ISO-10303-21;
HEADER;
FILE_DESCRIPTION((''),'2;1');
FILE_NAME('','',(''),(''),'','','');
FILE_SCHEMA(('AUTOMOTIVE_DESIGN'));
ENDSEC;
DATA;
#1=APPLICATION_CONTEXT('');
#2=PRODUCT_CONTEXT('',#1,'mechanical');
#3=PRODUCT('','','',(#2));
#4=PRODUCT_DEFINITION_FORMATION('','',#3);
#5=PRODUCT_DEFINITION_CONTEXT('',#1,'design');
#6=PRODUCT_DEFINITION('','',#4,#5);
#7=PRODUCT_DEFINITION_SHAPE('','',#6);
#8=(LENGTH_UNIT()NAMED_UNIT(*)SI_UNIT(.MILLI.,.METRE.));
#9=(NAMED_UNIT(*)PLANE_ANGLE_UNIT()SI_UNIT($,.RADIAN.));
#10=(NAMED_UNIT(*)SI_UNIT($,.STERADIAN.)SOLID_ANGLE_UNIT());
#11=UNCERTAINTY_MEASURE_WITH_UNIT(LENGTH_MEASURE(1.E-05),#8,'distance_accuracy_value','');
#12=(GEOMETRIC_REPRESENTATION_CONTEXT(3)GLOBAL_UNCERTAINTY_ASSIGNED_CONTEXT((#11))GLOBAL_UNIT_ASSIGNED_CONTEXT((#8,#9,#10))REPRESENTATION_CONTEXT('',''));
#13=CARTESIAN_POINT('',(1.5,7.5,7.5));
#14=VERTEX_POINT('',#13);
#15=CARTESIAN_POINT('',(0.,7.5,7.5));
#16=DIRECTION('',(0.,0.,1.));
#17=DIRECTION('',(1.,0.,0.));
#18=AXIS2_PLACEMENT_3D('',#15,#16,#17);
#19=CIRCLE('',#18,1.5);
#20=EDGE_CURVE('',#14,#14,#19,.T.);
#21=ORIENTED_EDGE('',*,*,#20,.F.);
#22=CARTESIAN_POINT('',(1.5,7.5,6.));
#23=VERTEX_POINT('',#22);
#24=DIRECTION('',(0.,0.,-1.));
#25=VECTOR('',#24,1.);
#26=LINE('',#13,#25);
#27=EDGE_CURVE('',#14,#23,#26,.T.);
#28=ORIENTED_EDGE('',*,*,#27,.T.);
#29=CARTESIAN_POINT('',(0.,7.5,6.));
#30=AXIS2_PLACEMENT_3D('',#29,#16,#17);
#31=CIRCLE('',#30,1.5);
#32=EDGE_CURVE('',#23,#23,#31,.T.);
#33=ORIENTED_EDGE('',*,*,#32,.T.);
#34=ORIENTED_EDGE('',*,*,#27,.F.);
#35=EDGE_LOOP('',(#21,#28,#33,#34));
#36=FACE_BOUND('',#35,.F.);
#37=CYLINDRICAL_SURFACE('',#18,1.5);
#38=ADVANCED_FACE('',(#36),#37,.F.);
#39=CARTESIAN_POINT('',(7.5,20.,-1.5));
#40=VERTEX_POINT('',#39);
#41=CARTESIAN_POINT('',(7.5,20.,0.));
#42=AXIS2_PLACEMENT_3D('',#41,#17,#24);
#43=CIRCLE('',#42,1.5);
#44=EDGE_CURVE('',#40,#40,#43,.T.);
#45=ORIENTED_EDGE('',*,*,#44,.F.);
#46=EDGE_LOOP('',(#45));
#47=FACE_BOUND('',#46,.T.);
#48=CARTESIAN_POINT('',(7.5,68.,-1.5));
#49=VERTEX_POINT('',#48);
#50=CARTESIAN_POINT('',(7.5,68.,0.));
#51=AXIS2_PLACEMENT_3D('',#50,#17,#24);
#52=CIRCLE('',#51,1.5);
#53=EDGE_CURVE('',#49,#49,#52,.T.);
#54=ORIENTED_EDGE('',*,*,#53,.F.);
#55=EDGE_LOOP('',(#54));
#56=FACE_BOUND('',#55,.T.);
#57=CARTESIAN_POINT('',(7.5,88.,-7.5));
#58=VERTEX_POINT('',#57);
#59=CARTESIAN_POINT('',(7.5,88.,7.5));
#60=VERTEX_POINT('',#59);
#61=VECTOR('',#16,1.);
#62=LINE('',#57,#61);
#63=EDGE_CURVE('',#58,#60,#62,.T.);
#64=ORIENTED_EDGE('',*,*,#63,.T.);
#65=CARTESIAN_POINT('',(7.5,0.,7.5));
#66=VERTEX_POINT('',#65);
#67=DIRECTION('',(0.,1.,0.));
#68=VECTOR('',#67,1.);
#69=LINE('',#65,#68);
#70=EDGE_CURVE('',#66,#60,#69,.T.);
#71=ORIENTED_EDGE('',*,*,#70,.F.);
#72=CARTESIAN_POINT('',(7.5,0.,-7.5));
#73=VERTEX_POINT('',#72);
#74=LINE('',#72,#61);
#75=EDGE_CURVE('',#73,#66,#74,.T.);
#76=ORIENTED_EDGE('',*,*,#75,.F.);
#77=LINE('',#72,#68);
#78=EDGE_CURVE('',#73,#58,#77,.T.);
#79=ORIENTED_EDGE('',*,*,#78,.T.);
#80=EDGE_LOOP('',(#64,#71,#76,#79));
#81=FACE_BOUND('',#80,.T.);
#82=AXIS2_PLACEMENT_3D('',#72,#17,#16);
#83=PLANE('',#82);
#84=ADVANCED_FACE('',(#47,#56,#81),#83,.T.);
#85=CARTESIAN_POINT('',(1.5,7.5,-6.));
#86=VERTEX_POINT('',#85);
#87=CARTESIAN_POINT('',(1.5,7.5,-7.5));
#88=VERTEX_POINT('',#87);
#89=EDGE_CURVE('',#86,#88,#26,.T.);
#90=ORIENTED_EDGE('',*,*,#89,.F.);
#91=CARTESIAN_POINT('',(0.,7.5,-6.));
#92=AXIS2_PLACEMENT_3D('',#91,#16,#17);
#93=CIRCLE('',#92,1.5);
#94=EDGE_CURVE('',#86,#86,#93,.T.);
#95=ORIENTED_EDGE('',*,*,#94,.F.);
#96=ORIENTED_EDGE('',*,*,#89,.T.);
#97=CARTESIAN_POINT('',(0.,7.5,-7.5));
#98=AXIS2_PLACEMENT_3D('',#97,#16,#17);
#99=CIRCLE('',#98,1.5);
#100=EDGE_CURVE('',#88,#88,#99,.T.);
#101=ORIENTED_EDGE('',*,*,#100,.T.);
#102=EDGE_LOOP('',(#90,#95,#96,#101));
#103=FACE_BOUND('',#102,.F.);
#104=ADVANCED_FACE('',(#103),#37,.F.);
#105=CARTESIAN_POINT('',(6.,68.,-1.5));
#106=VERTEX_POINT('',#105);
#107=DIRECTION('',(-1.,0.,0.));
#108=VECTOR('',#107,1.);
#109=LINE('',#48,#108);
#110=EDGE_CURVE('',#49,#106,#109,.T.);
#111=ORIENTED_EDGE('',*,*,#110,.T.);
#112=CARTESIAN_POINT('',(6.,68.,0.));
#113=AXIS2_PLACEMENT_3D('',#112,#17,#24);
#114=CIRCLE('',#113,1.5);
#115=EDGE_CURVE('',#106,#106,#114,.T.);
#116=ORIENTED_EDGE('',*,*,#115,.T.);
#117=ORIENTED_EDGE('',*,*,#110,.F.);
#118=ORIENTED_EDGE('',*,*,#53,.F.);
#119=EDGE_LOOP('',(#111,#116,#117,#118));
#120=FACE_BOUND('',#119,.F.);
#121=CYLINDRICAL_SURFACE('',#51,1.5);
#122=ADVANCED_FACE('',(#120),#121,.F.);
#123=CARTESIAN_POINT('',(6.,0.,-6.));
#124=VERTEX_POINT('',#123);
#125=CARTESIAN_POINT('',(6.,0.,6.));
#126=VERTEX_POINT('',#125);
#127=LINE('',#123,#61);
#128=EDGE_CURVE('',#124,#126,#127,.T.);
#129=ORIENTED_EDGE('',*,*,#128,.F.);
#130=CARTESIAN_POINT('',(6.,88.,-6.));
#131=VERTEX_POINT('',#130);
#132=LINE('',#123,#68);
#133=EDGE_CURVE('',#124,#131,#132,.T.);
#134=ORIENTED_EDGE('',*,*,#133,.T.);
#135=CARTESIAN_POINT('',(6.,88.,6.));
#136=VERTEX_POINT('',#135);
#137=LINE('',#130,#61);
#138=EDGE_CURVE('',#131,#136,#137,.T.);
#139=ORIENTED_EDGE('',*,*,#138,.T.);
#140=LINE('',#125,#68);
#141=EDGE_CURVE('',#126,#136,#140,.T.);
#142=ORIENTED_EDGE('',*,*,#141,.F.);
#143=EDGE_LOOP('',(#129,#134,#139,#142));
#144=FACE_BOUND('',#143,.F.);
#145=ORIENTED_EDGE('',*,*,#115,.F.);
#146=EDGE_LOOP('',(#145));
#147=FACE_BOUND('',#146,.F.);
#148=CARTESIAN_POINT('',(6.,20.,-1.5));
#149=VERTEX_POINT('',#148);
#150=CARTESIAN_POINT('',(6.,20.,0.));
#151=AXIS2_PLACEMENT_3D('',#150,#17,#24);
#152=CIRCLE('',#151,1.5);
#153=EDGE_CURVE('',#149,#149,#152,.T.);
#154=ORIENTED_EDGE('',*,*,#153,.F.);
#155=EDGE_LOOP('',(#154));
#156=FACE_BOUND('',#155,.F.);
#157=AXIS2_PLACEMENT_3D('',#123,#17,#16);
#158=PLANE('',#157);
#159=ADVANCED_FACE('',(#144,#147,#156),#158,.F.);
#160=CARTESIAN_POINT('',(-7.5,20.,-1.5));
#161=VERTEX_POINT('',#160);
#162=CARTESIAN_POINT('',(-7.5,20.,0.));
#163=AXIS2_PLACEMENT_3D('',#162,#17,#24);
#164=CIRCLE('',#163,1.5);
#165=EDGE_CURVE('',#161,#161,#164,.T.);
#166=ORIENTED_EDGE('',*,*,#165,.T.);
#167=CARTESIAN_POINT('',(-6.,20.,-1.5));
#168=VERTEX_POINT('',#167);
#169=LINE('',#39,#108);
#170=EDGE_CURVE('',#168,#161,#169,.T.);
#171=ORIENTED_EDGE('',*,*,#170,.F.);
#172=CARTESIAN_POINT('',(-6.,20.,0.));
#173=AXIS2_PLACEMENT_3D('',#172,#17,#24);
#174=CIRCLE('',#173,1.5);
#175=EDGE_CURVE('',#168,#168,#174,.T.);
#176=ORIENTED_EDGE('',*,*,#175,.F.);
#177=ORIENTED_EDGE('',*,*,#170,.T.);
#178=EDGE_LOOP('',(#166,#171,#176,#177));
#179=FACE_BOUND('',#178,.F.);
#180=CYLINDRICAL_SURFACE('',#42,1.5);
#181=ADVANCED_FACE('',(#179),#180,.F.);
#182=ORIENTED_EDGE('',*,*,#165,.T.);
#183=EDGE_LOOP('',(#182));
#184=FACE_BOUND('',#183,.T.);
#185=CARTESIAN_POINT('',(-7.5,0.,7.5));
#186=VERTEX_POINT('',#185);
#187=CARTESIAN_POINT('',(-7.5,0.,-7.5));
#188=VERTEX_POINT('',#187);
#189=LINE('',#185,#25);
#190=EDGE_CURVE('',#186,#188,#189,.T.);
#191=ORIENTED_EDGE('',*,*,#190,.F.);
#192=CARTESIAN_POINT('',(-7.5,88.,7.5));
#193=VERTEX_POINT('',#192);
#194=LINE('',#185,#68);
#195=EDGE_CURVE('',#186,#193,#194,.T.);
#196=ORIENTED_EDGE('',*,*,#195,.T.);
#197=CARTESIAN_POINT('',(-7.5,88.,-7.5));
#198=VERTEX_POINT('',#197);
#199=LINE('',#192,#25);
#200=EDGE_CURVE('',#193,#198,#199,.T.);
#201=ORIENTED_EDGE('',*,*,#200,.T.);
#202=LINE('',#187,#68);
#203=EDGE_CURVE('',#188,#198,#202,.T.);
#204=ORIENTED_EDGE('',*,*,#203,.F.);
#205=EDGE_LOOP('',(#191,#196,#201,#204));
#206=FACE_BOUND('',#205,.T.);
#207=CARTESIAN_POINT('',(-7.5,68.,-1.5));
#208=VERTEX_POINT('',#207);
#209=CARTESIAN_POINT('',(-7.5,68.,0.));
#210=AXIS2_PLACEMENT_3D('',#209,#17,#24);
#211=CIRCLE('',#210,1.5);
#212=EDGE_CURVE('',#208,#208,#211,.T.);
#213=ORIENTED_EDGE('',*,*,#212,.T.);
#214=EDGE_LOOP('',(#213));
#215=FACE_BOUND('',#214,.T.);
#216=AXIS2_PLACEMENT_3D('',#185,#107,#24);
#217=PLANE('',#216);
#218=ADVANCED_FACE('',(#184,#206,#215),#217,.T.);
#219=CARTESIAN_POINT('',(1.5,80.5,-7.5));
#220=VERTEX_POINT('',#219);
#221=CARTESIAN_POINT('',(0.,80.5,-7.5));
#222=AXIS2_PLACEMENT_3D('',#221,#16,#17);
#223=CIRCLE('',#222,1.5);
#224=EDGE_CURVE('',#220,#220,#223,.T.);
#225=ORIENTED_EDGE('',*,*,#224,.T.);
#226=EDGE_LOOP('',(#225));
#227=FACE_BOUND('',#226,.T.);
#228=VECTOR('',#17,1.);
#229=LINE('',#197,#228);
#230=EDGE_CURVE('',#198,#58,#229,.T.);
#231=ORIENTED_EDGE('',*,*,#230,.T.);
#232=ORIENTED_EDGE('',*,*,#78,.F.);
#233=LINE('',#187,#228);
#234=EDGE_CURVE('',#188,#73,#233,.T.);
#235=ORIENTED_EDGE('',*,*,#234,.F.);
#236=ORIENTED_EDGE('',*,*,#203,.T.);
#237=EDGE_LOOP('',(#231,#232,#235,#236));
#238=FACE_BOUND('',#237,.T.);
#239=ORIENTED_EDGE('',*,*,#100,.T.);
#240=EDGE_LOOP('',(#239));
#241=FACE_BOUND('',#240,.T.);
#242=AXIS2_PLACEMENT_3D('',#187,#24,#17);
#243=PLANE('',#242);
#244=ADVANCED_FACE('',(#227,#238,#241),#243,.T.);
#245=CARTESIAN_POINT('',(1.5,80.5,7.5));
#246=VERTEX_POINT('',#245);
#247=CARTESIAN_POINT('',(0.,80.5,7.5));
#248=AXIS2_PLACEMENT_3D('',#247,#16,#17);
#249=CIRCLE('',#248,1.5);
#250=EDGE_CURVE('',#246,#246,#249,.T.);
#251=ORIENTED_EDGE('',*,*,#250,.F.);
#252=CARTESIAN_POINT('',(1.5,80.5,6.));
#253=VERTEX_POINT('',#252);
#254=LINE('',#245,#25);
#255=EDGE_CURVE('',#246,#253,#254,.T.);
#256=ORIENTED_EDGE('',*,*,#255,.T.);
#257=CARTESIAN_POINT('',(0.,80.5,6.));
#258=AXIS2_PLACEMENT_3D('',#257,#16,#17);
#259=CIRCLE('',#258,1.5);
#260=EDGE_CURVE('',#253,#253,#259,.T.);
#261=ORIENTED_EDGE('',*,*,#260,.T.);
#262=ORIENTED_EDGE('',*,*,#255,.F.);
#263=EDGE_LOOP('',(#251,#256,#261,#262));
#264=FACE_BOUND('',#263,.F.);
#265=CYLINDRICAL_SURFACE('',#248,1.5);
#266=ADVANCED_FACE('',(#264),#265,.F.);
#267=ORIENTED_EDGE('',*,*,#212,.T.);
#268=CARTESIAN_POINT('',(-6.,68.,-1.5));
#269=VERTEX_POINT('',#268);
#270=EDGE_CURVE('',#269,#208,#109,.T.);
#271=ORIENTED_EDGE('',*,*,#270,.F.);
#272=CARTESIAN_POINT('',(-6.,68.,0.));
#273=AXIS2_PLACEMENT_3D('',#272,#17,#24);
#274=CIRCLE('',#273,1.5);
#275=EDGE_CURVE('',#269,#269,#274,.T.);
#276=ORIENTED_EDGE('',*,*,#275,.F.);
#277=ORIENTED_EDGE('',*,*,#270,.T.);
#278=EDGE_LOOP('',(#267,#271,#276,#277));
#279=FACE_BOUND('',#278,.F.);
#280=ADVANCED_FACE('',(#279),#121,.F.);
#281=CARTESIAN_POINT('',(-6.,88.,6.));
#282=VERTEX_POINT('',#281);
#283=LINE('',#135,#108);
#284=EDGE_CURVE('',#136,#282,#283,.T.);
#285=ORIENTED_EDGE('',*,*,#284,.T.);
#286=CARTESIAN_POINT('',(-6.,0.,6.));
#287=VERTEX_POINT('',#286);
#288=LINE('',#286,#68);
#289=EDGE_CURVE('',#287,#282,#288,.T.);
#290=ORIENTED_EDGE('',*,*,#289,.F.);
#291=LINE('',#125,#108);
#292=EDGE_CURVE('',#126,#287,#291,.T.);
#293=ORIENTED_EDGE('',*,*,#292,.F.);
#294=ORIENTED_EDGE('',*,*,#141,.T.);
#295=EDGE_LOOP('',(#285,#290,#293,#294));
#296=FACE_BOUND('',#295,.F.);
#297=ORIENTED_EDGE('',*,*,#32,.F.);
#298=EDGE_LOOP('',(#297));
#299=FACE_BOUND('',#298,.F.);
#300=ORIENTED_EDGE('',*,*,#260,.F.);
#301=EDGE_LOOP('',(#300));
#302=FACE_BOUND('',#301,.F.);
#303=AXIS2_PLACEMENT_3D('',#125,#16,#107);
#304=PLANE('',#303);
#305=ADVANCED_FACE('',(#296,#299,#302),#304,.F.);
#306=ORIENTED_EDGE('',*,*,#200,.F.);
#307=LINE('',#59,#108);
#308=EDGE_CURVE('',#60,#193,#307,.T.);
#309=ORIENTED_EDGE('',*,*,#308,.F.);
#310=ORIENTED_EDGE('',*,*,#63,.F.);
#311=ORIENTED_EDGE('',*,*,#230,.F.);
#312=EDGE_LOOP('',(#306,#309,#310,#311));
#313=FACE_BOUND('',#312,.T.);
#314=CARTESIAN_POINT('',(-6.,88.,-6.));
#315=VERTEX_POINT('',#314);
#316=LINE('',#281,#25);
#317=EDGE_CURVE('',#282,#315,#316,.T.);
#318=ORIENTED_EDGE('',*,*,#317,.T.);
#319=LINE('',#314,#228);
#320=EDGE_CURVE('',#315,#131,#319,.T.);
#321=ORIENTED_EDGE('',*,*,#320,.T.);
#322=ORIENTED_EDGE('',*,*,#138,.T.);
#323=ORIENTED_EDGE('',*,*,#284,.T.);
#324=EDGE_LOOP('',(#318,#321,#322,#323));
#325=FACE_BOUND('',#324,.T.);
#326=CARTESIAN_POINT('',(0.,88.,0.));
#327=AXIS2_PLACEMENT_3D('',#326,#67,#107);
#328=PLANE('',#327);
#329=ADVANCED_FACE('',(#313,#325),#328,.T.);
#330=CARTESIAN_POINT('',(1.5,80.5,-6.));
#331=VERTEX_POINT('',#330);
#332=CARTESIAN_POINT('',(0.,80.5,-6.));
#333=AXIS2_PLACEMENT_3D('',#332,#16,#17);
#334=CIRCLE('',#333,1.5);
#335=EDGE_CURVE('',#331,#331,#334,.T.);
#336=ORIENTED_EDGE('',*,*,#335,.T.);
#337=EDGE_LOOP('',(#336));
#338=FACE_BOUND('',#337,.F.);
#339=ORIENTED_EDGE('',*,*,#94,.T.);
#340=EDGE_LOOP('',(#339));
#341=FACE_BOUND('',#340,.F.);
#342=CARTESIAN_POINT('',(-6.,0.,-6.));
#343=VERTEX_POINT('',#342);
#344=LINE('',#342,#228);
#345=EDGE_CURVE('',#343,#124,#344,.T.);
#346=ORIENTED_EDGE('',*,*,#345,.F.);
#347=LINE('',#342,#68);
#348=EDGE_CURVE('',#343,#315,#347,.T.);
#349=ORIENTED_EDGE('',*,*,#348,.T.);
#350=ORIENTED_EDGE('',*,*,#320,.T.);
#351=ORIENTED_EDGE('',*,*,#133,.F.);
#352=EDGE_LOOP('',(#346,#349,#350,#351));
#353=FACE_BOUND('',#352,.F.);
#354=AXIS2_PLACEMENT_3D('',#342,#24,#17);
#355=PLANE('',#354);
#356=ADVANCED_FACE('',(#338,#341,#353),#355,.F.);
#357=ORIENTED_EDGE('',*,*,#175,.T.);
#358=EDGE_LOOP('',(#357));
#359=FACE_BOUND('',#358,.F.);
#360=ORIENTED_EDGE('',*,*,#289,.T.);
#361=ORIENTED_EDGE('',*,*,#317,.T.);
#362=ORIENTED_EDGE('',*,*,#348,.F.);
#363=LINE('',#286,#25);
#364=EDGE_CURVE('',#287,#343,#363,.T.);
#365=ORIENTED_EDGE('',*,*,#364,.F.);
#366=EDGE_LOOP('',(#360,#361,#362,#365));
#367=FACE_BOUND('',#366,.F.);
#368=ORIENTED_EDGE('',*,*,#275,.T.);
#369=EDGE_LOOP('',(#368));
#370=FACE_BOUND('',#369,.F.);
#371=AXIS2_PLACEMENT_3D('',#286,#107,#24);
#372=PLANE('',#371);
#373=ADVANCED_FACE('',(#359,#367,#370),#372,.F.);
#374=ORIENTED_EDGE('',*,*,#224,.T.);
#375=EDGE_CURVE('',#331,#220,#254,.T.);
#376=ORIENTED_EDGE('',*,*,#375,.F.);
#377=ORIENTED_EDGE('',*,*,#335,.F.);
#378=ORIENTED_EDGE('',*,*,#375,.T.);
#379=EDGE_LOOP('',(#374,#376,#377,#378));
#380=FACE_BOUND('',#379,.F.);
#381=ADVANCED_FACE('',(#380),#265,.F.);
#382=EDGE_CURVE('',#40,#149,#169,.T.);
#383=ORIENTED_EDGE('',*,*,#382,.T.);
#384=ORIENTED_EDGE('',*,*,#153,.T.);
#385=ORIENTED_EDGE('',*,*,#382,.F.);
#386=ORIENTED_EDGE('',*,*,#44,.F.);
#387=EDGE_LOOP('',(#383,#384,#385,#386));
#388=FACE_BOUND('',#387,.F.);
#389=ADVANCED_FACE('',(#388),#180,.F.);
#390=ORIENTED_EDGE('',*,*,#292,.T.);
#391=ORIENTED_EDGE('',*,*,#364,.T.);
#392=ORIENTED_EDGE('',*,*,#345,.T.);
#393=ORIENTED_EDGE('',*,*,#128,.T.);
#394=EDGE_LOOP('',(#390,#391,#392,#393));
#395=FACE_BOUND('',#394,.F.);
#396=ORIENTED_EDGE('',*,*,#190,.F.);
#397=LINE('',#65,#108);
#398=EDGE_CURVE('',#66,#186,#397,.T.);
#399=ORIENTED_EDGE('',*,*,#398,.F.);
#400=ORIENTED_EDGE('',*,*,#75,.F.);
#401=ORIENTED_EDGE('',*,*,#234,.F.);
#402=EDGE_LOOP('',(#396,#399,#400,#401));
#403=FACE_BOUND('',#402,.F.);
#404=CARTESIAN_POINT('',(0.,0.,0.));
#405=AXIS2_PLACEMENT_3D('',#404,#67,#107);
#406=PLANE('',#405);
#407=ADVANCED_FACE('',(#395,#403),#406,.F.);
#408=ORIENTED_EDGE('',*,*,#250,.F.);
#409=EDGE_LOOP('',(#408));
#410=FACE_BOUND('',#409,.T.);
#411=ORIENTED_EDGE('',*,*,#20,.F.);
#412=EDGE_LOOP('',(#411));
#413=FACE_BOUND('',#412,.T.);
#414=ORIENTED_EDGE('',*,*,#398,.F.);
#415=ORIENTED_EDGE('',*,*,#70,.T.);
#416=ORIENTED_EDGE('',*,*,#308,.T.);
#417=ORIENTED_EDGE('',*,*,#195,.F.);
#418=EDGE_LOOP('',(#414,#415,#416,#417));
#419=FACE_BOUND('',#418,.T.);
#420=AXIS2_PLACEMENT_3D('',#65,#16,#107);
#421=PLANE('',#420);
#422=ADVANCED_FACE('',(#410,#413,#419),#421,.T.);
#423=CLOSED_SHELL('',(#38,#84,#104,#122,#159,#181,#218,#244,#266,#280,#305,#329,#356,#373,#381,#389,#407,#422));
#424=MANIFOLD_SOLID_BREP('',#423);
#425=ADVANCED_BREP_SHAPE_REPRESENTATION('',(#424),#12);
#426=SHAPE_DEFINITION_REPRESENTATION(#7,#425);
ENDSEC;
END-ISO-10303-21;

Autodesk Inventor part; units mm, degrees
ref_plane "YZ Plane" through (0, 0, 0) normal (1, 0, 0) x (0, 1, 0)
ref_plane "XZ Plane" through (0, 0, 0) normal (0, 1, 0) x (-1, 0, 0)
ref_plane "XY Plane" through (0, 0, 0) normal (0, 0, 1) x (1, 0, 0)
sketch "スケッチ1" plane through (0, 0, 0) normal (0, 1, 0) x (-1, 0, 0)
  line L0 (7.5, -7.5) -> (-7.5, -7.5)
  line L1 (-7.5, -7.5) -> (-7.5, 7.5)
  line L2 (-7.5, 7.5) -> (7.5, 7.5)
  line L3 (7.5, 7.5) -> (7.5, -7.5)
  line L4 (7.5, -7.5) -> (-7.5, 7.5) construction
  line L5 (-7.5, -7.5) -> (7.5, 7.5) construction
  line L6 (6, -6) -> (-6, -6)
  line L7 (-6, -6) -> (-6, 6)
  line L8 (-6, 6) -> (6, 6)
  line L9 (6, 6) -> (6, -6)
  point P0 (0, 0)
  dimension "d0" = 15
  dimension "d1" = 15
  dimension "d2" = 1.5
extrude "押し出し1" add sketch "スケッチ1" along normal blind 88
sketch "スケッチ2" plane through (-7.5, 0, 7.5) normal (0, 0, 1) x (1, 0, 0)
  line L0 (7.5, 0) -> (7.5, 88) construction
  line L1 (0, 88) -> (15, 88) projected
  line L2 (0, 0) -> (0, 88) projected
  line L3 (0, 44) -> (15, 44) construction
  line L4 (15, 0) -> (15, 88) projected
sketch "スケッチ3" plane through (7.5, 0, 7.5) normal (1, 0, 0) x (0, 0, -1)
  line L0 (7.5, 0) -> (7.5, 88) construction
  line L1 (0, 88) -> (15, 88) projected
  line L2 (15, 0) -> (15, 88) projected
  line L3 (15, 44) -> (0, 44) construction
  line L4 (0, 0) -> (0, 88) projected
sketch "スケッチ4" plane through (-7.5, 0, 7.5) normal (0, 0, 1) x (1, 0, 0)
  line L0 (7.5, 0) -> (7.5, 88) construction
  circle A0 centre (7.5, 7.5) radius 1.5
  line L1 (0, 0) -> (15, 0) projected
  circle A1 centre (7.5, 80.5) radius 1.5
  line L2 (0, 88) -> (15, 88) projected
  dimension "d5" = 3
  dimension "d6" = 7.5
  dimension "d13" = 3
  dimension "d14" = 7.5
extrude "押し出し2" cut sketch "スケッチ4" against normal through all
sketch "スケッチ5" plane through (7.5, 0, 7.5) normal (1, 0, 0) x (0, 0, -1)
  circle A0 centre (7.5, 20) radius 1.5
  line L0 (7.5, 0) -> (7.5, 88) construction
  line L1 (0, 0) -> (15, 0) projected
  circle A1 centre (7.5, 68) radius 1.5
  line L2 (0, 88) -> (15, 88) projected
  dimension "d9" = 3
  dimension "d10" = 20
  dimension "d15" = 3
  dimension "d16" = 20
extrude "押し出し3" cut sketch "スケッチ5" against normal through all
sketch "スケッチ6" plane through (7.5, 0, 7.5) normal (1, 0, 0) x (0, 0, -1)
  circle A0 centre (7.5, 68) radius 1.5 projected
  line L0 (0, 88) -> (15, 88) projected
  circle A1 centre (7.5, 20) radius 1.5 projected
  line L1 (0, 0) -> (15, 0) projected
  point P0 (7.5, 0)
  dimension "d17" = 20
  dimension "d18" = 68
  dimension "d19" = 88
sketch "スケッチ7" plane through (-7.5, 0, 7.5) normal (0, 0, 1) x (1, 0, 0)
  circle A0 centre (7.5, 80.5) radius 1.5 projected
  line L0 (0, 88) -> (15, 88) projected
  circle A1 centre (7.5, 7.5) radius 1.5 projected
  point P0 (7.5, 0)
  dimension "d20" = 7.5
  dimension "d21" = 80.5
equation "\"d1\" = d0"
properties part number "omu_k_jo_10" material "アルミニウム 6061-AHC"
